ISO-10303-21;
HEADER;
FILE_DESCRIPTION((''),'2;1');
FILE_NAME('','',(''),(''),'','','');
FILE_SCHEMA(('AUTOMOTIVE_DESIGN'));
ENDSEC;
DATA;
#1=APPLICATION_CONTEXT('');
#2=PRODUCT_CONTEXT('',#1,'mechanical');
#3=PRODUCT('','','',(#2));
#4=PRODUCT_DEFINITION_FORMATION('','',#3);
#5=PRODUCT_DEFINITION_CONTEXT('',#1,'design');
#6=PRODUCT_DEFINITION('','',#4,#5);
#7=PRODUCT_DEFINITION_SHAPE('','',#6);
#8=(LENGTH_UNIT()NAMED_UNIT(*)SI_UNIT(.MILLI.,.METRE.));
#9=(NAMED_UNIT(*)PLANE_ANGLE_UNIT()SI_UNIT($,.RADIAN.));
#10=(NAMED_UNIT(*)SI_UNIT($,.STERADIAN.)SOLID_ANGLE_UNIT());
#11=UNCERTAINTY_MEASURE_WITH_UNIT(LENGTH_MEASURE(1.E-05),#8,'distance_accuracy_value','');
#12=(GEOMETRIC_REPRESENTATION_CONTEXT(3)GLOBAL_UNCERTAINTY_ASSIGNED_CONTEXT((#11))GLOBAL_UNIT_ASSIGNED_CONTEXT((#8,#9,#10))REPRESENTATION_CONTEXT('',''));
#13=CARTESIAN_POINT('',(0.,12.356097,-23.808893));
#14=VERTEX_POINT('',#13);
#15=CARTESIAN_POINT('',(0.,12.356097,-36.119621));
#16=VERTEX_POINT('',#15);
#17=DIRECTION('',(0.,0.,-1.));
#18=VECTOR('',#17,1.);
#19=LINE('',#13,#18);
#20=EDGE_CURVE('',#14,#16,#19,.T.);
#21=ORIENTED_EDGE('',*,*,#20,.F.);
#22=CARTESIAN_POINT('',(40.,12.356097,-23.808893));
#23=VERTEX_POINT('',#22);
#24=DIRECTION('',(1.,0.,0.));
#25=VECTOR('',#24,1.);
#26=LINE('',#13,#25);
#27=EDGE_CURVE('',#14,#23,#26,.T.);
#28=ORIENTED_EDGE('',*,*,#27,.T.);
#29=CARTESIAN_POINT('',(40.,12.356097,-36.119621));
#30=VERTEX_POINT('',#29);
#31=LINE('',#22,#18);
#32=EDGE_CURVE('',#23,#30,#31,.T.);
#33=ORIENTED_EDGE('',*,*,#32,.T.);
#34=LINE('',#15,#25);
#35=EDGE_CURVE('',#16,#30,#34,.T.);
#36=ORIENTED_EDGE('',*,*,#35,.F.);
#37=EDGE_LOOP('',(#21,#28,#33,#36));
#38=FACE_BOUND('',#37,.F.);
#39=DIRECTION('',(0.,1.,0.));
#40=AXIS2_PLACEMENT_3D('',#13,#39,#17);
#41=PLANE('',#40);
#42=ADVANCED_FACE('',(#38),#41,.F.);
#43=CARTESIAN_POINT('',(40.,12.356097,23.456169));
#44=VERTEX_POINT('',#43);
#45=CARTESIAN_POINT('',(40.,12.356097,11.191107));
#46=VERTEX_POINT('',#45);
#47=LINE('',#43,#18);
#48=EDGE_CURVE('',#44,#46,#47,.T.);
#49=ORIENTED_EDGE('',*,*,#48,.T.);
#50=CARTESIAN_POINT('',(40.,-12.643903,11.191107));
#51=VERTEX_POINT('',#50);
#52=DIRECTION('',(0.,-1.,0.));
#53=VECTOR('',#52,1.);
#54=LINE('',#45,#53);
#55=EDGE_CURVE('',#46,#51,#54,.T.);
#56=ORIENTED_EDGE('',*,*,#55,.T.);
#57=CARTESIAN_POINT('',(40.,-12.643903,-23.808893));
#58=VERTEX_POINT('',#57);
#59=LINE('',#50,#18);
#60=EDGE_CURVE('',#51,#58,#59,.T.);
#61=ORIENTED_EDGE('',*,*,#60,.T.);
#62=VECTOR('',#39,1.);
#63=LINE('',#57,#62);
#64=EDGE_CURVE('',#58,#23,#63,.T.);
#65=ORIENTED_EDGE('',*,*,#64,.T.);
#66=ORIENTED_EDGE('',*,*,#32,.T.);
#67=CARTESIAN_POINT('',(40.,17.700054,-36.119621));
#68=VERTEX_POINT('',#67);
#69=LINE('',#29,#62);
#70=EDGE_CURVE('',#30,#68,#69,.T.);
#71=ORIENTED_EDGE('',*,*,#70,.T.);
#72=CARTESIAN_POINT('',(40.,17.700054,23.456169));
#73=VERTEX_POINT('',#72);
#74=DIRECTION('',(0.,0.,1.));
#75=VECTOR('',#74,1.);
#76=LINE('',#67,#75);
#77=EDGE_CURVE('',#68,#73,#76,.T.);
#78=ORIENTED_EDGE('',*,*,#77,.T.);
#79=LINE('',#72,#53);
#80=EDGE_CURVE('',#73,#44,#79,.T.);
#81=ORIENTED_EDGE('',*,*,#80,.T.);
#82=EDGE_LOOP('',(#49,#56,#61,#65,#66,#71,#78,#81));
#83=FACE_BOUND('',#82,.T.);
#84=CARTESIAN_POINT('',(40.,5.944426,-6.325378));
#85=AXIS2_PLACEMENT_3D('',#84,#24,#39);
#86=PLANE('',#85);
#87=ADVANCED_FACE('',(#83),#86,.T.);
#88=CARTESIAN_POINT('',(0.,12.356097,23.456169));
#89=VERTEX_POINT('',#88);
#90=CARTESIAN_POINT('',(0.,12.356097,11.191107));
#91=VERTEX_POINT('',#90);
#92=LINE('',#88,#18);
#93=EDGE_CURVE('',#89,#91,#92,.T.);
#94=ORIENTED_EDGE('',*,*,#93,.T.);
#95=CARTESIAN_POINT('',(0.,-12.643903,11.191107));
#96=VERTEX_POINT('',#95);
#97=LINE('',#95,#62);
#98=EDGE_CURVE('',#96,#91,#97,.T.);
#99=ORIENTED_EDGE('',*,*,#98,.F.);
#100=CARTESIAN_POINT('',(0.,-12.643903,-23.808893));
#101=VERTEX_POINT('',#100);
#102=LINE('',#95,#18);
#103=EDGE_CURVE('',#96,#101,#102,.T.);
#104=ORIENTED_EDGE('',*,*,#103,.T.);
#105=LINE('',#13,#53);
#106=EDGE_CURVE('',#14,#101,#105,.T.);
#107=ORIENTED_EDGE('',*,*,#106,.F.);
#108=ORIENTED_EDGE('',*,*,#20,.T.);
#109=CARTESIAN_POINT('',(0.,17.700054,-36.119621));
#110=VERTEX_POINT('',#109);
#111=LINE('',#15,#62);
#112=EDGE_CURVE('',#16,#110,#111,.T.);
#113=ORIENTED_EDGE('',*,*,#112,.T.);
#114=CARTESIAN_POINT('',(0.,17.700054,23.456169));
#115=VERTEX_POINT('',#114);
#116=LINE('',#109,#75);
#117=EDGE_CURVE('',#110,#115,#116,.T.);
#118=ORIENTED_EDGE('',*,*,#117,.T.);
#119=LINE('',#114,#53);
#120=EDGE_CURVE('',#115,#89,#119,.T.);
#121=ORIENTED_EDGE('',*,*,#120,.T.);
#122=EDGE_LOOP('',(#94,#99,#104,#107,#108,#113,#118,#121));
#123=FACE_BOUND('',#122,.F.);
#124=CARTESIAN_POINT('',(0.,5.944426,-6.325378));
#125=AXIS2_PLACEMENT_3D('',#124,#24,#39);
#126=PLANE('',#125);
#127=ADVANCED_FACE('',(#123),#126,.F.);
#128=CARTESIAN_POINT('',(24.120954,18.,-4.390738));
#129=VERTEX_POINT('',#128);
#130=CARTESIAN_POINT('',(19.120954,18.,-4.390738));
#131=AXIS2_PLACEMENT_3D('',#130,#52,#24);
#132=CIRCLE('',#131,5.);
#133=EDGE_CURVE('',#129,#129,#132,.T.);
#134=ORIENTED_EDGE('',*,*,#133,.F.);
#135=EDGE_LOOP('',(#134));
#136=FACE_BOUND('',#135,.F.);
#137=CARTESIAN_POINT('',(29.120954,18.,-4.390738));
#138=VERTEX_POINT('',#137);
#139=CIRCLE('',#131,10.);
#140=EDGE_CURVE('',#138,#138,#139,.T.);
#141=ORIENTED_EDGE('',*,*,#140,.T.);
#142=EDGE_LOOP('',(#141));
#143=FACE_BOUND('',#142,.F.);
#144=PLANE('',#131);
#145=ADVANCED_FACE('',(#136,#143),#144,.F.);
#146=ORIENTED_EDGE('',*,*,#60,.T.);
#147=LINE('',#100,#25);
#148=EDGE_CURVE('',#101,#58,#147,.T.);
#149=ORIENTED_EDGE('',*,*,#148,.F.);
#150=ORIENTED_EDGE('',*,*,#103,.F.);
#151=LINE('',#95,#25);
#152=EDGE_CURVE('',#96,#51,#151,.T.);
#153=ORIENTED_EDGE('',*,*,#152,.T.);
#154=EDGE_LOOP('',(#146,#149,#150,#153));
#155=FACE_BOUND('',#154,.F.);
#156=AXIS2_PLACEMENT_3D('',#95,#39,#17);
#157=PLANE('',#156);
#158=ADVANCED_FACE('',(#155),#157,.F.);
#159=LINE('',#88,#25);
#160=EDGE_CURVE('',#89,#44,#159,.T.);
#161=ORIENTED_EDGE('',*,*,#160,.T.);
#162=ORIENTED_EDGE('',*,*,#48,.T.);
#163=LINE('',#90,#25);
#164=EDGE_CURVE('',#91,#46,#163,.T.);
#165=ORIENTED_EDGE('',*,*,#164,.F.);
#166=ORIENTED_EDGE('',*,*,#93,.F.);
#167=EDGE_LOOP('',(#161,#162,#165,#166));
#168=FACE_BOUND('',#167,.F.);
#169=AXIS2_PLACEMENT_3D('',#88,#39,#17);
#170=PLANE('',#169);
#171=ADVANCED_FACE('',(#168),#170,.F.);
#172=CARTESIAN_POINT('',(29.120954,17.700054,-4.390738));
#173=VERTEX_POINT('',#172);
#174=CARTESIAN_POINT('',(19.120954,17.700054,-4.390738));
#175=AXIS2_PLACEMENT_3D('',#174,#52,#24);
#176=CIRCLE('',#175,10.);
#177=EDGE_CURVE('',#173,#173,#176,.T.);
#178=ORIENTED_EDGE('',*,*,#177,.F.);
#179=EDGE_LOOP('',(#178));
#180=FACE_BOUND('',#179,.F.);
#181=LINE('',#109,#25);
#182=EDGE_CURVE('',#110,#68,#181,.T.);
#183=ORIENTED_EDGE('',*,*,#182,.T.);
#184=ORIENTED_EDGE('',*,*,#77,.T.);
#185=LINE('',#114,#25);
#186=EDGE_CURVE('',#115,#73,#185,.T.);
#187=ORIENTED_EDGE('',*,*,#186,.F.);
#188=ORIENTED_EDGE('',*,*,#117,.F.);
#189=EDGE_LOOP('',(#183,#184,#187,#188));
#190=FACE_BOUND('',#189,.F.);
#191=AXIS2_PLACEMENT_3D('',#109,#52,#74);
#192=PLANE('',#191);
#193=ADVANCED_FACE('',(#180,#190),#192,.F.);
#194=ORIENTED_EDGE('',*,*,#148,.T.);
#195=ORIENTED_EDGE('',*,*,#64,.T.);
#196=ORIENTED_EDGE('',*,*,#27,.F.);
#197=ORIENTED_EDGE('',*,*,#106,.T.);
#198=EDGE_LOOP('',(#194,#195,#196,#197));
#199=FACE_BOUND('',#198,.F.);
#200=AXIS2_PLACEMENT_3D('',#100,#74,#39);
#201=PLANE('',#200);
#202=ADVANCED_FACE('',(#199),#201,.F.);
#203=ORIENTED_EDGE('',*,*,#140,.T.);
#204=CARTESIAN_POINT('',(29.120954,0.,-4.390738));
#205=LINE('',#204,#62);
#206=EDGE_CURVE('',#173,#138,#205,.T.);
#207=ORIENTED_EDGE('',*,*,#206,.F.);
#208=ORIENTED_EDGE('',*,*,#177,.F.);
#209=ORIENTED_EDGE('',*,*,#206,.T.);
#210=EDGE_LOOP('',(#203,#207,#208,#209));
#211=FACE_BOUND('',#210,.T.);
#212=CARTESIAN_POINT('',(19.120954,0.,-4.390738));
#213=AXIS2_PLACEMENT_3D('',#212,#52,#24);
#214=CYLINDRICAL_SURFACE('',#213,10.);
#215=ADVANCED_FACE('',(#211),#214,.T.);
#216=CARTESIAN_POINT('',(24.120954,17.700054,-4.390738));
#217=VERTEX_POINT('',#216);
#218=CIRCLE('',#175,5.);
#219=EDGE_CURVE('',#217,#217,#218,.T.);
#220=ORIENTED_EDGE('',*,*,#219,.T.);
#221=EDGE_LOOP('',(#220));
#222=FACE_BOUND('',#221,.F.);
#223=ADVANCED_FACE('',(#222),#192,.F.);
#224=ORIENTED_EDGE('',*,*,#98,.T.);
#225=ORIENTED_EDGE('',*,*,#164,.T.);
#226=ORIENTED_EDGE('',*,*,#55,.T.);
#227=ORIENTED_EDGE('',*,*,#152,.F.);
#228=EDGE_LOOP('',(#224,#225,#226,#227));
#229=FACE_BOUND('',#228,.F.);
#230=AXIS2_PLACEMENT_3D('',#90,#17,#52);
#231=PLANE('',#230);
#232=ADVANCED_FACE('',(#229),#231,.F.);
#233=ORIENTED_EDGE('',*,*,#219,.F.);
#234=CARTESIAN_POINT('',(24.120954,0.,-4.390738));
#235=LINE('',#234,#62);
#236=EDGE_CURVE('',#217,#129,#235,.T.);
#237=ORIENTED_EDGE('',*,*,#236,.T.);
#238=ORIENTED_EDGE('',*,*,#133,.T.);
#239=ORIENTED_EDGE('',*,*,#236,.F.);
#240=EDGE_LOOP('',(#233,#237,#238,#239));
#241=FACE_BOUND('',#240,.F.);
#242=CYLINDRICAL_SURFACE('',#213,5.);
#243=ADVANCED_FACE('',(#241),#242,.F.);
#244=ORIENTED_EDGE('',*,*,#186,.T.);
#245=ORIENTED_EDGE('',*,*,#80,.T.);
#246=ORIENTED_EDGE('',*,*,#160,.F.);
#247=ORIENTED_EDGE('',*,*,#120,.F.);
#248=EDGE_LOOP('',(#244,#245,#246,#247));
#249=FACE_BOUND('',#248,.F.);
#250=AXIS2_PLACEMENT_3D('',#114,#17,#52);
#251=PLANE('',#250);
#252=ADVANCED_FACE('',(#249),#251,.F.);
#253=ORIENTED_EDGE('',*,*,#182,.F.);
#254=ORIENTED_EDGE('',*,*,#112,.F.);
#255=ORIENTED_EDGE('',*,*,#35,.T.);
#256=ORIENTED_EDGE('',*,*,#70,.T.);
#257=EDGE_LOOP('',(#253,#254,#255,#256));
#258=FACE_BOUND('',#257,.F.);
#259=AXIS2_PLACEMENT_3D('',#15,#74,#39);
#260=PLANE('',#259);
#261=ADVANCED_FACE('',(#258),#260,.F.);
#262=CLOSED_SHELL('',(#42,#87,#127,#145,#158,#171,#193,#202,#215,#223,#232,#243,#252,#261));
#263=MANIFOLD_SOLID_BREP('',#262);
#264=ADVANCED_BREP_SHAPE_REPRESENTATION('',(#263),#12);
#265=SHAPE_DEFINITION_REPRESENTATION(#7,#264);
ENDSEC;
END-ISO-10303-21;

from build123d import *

# Parameters (mm, degrees)
F1_DEPTH  = 40
F2_R      = 10
F2_R_2    = 5
F1_FACE_W = 40
F1_FACE_H = 35
F3_DEPTH  = 18


with BuildPart() as f1:
    # F0 (on Right) → F1 (new body)
    with BuildSketch(Plane.YZ):
        Polygon((12.356097, 23.456169), (12.356097, 11.191107), (-12.643903, 11.191107), (-12.643903, -23.808893), (12.356097, -23.808893), (12.356097, -36.119621), (17.700054, -36.119621), (17.700054, 23.456169), align=None)
    extrude(amount=F1_DEPTH)

    # F2 (on Front) + F1_face (on face) → F3 (join)
    with BuildSketch(Plane.XZ):
        with Locations((19.120954, -4.390738)):
            Circle(F2_R)
        with Locations((19.120954, -4.390738)):
            Circle(F2_R_2, mode=Mode.SUBTRACT)
    with BuildSketch(Plane(origin=(20, -12.643903, -6.308893), x_dir=(1, 0, 0), z_dir=(0, -1, 0))):
        Rectangle(F1_FACE_W, F1_FACE_H)
    extrude(amount=-F3_DEPTH)


solid = f1.part
